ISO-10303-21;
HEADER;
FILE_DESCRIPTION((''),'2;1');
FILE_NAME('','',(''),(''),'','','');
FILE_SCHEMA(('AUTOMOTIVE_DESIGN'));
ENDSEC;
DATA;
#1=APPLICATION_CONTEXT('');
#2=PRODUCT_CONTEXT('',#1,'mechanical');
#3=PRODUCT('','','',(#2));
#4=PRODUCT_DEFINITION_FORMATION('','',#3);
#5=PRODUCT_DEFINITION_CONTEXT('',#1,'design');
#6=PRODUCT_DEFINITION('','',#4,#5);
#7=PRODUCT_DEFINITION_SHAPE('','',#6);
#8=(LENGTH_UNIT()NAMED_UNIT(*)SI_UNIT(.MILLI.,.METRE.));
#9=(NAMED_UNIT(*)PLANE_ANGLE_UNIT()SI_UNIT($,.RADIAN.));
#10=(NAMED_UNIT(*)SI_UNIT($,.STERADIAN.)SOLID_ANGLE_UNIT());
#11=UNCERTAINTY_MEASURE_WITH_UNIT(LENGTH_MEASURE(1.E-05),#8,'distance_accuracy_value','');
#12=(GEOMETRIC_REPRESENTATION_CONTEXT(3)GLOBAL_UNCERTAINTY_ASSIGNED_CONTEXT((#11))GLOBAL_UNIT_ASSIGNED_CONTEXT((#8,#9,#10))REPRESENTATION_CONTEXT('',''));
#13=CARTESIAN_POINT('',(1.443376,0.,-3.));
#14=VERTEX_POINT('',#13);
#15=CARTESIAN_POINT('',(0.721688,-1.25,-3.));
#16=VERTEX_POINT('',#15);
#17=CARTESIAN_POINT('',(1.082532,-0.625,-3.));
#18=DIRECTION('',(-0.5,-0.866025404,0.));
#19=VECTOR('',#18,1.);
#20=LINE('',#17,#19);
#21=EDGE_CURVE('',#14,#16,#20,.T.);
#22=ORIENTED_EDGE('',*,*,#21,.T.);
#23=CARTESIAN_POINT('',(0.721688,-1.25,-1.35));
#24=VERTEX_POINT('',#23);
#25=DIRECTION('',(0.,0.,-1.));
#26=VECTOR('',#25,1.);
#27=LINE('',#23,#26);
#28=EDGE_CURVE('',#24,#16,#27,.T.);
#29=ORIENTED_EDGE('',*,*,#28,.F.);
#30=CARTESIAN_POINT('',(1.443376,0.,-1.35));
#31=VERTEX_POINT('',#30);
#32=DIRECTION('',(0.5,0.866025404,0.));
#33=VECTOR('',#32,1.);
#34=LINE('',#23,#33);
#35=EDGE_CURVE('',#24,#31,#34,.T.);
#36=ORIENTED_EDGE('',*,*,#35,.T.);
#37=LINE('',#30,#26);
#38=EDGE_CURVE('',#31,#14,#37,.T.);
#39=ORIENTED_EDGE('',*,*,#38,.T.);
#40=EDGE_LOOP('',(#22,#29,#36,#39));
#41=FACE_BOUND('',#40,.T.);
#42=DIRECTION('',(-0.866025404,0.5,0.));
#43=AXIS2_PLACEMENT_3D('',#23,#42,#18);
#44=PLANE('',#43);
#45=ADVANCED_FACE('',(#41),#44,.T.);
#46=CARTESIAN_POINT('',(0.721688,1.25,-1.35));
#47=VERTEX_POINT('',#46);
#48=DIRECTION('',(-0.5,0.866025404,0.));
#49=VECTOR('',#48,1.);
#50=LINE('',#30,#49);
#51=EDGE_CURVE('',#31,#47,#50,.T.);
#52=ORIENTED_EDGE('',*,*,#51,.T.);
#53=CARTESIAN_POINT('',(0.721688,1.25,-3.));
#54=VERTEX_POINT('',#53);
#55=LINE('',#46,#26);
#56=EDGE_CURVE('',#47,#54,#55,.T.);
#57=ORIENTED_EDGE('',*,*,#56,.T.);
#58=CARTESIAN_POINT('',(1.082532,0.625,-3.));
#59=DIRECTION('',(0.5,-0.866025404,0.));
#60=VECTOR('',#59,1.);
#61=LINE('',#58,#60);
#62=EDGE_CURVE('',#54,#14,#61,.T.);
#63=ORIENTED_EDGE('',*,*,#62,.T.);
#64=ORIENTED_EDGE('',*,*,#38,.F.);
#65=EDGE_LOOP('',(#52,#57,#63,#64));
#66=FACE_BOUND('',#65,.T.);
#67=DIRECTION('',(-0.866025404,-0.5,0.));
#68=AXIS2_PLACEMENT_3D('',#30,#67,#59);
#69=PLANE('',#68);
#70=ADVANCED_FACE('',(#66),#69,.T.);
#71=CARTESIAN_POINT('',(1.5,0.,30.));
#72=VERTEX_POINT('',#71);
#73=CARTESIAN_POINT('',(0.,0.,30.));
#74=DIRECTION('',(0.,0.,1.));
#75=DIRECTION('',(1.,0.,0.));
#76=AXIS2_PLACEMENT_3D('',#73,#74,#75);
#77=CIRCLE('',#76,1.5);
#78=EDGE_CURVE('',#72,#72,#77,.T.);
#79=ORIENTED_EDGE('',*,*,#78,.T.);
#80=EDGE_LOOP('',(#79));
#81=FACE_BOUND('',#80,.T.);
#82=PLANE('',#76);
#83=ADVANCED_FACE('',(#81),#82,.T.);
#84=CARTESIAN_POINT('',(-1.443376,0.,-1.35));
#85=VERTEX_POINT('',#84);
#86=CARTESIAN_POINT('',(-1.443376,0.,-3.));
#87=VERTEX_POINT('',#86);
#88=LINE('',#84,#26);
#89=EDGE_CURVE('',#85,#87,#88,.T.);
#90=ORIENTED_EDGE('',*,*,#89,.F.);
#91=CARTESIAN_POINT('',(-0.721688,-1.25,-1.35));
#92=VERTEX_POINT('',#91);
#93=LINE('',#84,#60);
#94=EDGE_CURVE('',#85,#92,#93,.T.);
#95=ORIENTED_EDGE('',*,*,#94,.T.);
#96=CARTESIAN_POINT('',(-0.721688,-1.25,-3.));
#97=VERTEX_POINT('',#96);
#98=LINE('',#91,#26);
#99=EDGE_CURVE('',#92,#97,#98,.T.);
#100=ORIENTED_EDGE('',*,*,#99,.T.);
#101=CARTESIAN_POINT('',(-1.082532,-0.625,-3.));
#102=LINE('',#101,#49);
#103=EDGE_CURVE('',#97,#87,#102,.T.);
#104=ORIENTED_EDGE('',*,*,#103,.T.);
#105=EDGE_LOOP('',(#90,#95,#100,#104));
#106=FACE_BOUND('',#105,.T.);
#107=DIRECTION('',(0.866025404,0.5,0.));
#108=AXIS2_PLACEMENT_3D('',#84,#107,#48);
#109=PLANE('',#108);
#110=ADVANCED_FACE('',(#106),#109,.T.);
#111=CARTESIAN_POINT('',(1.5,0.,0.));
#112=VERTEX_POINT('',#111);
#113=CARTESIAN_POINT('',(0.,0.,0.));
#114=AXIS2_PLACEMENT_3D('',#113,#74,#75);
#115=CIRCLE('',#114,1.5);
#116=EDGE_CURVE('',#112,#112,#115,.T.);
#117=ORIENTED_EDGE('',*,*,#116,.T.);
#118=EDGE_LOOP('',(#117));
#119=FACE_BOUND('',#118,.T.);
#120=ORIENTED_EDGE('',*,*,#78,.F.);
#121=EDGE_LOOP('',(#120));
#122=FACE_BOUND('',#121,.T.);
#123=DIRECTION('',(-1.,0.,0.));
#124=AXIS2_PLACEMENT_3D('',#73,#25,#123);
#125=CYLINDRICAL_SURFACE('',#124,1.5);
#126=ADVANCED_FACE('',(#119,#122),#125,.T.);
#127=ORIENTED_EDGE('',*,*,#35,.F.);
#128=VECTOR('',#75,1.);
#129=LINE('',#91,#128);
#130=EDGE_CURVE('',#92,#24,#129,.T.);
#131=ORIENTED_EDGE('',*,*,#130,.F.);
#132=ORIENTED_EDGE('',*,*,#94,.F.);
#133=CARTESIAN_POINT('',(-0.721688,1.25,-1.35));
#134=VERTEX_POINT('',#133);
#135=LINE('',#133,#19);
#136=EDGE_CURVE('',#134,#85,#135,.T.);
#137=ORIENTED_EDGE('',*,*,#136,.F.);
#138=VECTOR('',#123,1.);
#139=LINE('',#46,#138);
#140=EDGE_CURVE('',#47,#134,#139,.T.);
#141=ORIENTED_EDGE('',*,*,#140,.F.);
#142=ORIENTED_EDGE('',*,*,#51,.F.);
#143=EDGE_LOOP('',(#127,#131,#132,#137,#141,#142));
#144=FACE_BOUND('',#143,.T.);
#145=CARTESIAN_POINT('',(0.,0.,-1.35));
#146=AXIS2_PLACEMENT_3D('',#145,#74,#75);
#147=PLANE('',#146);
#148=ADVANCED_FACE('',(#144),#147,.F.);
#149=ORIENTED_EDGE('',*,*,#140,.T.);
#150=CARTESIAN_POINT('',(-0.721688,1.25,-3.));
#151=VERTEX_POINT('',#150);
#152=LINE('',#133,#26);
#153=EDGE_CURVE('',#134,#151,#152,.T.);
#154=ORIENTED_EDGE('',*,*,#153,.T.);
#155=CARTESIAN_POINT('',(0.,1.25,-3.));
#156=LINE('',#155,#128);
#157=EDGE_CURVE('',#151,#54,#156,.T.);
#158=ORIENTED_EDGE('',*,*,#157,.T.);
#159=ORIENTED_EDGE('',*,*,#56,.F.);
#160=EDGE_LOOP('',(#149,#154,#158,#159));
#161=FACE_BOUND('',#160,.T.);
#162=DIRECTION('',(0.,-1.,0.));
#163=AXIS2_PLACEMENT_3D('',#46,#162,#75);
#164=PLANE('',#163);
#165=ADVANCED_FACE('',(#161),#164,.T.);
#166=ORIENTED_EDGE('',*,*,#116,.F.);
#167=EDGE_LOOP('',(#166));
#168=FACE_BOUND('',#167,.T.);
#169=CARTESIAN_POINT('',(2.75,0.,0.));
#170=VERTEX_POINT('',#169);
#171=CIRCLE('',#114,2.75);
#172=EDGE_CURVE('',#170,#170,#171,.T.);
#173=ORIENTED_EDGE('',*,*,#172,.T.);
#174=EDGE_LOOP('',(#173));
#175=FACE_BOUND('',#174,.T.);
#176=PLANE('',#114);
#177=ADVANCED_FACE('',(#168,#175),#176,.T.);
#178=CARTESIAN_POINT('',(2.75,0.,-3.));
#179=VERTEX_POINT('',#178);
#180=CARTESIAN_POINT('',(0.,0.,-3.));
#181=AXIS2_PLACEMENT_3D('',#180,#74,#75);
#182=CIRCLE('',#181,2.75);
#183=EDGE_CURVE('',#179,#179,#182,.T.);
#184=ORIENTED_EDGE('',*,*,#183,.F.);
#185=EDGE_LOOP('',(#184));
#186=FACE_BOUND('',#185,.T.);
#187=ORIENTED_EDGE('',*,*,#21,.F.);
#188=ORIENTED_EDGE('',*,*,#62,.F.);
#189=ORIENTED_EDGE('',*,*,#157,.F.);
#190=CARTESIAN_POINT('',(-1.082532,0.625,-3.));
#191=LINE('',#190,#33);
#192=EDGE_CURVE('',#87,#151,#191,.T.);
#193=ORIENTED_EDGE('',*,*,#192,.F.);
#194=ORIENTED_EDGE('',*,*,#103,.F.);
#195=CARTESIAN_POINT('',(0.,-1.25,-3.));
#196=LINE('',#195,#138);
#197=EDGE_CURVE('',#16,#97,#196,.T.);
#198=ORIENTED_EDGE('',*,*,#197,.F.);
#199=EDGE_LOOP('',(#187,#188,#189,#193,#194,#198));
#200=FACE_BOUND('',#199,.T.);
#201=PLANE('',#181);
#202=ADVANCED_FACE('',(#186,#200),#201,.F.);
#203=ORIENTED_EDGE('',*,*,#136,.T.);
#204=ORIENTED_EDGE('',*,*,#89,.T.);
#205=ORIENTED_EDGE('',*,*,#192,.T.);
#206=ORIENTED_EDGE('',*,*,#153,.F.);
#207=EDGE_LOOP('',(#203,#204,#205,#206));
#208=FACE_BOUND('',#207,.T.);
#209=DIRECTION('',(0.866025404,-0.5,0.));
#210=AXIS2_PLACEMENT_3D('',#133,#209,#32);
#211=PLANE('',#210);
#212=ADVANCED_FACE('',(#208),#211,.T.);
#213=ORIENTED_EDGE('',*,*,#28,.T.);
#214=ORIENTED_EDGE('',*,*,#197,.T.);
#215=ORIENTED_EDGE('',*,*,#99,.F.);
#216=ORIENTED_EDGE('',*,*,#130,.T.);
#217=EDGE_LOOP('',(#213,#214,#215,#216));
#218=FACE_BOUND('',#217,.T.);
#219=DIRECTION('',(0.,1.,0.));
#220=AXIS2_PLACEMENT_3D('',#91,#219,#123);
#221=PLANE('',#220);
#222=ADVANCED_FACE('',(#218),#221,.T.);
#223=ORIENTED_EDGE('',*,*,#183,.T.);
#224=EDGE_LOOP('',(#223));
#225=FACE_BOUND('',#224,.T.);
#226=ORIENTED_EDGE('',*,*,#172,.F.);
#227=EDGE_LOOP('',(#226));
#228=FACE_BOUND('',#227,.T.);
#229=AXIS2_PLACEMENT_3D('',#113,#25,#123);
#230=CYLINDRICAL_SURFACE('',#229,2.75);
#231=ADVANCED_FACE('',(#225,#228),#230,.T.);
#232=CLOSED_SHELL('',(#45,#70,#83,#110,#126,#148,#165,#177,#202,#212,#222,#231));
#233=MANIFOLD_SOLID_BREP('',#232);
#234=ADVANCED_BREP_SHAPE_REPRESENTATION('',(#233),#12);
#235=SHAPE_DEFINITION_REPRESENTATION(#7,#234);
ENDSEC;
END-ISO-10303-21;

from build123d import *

# Parameters (mm, degrees)
F_01_START                = -3
S01_HEAD_R                = 2.75
F_01_HEAD_DEPTH           = 3
S02_NOMINAL_SHANK_R       = 1.5
F_02_NOMINAL_SHANK_DEPTH  = 30
F_03_START                = -3.1
F_03_HEX_KEY_SOCKET_DEPTH = 1.75


with BuildPart() as part:
    # S01 - Head → 01 - Head (new body)
    with BuildSketch(Plane.XY.offset(F_01_START)):
        Circle(S01_HEAD_R)
    extrude(amount=F_01_HEAD_DEPTH)

    # S02 - Nominal shank → 02 - Nominal shank (add)
    with BuildSketch(Plane.XY):
        Circle(S02_NOMINAL_SHANK_R)
    extrude(amount=F_02_NOMINAL_SHANK_DEPTH)

    # S03 - Hex key socket → 03 - Hex key socket (cut)
    with BuildSketch(Plane.XY.offset(F_03_START)):
        Polygon((1.443375673, 0), (0.721687836, 1.25), (-0.721687836, 1.25), (-1.443375673, 0), (-0.721687836, -1.25), (0.721687836, -1.25), align=None)
    extrude(amount=F_03_HEX_KEY_SOCKET_DEPTH, mode=Mode.SUBTRACT)


solid = part.part
